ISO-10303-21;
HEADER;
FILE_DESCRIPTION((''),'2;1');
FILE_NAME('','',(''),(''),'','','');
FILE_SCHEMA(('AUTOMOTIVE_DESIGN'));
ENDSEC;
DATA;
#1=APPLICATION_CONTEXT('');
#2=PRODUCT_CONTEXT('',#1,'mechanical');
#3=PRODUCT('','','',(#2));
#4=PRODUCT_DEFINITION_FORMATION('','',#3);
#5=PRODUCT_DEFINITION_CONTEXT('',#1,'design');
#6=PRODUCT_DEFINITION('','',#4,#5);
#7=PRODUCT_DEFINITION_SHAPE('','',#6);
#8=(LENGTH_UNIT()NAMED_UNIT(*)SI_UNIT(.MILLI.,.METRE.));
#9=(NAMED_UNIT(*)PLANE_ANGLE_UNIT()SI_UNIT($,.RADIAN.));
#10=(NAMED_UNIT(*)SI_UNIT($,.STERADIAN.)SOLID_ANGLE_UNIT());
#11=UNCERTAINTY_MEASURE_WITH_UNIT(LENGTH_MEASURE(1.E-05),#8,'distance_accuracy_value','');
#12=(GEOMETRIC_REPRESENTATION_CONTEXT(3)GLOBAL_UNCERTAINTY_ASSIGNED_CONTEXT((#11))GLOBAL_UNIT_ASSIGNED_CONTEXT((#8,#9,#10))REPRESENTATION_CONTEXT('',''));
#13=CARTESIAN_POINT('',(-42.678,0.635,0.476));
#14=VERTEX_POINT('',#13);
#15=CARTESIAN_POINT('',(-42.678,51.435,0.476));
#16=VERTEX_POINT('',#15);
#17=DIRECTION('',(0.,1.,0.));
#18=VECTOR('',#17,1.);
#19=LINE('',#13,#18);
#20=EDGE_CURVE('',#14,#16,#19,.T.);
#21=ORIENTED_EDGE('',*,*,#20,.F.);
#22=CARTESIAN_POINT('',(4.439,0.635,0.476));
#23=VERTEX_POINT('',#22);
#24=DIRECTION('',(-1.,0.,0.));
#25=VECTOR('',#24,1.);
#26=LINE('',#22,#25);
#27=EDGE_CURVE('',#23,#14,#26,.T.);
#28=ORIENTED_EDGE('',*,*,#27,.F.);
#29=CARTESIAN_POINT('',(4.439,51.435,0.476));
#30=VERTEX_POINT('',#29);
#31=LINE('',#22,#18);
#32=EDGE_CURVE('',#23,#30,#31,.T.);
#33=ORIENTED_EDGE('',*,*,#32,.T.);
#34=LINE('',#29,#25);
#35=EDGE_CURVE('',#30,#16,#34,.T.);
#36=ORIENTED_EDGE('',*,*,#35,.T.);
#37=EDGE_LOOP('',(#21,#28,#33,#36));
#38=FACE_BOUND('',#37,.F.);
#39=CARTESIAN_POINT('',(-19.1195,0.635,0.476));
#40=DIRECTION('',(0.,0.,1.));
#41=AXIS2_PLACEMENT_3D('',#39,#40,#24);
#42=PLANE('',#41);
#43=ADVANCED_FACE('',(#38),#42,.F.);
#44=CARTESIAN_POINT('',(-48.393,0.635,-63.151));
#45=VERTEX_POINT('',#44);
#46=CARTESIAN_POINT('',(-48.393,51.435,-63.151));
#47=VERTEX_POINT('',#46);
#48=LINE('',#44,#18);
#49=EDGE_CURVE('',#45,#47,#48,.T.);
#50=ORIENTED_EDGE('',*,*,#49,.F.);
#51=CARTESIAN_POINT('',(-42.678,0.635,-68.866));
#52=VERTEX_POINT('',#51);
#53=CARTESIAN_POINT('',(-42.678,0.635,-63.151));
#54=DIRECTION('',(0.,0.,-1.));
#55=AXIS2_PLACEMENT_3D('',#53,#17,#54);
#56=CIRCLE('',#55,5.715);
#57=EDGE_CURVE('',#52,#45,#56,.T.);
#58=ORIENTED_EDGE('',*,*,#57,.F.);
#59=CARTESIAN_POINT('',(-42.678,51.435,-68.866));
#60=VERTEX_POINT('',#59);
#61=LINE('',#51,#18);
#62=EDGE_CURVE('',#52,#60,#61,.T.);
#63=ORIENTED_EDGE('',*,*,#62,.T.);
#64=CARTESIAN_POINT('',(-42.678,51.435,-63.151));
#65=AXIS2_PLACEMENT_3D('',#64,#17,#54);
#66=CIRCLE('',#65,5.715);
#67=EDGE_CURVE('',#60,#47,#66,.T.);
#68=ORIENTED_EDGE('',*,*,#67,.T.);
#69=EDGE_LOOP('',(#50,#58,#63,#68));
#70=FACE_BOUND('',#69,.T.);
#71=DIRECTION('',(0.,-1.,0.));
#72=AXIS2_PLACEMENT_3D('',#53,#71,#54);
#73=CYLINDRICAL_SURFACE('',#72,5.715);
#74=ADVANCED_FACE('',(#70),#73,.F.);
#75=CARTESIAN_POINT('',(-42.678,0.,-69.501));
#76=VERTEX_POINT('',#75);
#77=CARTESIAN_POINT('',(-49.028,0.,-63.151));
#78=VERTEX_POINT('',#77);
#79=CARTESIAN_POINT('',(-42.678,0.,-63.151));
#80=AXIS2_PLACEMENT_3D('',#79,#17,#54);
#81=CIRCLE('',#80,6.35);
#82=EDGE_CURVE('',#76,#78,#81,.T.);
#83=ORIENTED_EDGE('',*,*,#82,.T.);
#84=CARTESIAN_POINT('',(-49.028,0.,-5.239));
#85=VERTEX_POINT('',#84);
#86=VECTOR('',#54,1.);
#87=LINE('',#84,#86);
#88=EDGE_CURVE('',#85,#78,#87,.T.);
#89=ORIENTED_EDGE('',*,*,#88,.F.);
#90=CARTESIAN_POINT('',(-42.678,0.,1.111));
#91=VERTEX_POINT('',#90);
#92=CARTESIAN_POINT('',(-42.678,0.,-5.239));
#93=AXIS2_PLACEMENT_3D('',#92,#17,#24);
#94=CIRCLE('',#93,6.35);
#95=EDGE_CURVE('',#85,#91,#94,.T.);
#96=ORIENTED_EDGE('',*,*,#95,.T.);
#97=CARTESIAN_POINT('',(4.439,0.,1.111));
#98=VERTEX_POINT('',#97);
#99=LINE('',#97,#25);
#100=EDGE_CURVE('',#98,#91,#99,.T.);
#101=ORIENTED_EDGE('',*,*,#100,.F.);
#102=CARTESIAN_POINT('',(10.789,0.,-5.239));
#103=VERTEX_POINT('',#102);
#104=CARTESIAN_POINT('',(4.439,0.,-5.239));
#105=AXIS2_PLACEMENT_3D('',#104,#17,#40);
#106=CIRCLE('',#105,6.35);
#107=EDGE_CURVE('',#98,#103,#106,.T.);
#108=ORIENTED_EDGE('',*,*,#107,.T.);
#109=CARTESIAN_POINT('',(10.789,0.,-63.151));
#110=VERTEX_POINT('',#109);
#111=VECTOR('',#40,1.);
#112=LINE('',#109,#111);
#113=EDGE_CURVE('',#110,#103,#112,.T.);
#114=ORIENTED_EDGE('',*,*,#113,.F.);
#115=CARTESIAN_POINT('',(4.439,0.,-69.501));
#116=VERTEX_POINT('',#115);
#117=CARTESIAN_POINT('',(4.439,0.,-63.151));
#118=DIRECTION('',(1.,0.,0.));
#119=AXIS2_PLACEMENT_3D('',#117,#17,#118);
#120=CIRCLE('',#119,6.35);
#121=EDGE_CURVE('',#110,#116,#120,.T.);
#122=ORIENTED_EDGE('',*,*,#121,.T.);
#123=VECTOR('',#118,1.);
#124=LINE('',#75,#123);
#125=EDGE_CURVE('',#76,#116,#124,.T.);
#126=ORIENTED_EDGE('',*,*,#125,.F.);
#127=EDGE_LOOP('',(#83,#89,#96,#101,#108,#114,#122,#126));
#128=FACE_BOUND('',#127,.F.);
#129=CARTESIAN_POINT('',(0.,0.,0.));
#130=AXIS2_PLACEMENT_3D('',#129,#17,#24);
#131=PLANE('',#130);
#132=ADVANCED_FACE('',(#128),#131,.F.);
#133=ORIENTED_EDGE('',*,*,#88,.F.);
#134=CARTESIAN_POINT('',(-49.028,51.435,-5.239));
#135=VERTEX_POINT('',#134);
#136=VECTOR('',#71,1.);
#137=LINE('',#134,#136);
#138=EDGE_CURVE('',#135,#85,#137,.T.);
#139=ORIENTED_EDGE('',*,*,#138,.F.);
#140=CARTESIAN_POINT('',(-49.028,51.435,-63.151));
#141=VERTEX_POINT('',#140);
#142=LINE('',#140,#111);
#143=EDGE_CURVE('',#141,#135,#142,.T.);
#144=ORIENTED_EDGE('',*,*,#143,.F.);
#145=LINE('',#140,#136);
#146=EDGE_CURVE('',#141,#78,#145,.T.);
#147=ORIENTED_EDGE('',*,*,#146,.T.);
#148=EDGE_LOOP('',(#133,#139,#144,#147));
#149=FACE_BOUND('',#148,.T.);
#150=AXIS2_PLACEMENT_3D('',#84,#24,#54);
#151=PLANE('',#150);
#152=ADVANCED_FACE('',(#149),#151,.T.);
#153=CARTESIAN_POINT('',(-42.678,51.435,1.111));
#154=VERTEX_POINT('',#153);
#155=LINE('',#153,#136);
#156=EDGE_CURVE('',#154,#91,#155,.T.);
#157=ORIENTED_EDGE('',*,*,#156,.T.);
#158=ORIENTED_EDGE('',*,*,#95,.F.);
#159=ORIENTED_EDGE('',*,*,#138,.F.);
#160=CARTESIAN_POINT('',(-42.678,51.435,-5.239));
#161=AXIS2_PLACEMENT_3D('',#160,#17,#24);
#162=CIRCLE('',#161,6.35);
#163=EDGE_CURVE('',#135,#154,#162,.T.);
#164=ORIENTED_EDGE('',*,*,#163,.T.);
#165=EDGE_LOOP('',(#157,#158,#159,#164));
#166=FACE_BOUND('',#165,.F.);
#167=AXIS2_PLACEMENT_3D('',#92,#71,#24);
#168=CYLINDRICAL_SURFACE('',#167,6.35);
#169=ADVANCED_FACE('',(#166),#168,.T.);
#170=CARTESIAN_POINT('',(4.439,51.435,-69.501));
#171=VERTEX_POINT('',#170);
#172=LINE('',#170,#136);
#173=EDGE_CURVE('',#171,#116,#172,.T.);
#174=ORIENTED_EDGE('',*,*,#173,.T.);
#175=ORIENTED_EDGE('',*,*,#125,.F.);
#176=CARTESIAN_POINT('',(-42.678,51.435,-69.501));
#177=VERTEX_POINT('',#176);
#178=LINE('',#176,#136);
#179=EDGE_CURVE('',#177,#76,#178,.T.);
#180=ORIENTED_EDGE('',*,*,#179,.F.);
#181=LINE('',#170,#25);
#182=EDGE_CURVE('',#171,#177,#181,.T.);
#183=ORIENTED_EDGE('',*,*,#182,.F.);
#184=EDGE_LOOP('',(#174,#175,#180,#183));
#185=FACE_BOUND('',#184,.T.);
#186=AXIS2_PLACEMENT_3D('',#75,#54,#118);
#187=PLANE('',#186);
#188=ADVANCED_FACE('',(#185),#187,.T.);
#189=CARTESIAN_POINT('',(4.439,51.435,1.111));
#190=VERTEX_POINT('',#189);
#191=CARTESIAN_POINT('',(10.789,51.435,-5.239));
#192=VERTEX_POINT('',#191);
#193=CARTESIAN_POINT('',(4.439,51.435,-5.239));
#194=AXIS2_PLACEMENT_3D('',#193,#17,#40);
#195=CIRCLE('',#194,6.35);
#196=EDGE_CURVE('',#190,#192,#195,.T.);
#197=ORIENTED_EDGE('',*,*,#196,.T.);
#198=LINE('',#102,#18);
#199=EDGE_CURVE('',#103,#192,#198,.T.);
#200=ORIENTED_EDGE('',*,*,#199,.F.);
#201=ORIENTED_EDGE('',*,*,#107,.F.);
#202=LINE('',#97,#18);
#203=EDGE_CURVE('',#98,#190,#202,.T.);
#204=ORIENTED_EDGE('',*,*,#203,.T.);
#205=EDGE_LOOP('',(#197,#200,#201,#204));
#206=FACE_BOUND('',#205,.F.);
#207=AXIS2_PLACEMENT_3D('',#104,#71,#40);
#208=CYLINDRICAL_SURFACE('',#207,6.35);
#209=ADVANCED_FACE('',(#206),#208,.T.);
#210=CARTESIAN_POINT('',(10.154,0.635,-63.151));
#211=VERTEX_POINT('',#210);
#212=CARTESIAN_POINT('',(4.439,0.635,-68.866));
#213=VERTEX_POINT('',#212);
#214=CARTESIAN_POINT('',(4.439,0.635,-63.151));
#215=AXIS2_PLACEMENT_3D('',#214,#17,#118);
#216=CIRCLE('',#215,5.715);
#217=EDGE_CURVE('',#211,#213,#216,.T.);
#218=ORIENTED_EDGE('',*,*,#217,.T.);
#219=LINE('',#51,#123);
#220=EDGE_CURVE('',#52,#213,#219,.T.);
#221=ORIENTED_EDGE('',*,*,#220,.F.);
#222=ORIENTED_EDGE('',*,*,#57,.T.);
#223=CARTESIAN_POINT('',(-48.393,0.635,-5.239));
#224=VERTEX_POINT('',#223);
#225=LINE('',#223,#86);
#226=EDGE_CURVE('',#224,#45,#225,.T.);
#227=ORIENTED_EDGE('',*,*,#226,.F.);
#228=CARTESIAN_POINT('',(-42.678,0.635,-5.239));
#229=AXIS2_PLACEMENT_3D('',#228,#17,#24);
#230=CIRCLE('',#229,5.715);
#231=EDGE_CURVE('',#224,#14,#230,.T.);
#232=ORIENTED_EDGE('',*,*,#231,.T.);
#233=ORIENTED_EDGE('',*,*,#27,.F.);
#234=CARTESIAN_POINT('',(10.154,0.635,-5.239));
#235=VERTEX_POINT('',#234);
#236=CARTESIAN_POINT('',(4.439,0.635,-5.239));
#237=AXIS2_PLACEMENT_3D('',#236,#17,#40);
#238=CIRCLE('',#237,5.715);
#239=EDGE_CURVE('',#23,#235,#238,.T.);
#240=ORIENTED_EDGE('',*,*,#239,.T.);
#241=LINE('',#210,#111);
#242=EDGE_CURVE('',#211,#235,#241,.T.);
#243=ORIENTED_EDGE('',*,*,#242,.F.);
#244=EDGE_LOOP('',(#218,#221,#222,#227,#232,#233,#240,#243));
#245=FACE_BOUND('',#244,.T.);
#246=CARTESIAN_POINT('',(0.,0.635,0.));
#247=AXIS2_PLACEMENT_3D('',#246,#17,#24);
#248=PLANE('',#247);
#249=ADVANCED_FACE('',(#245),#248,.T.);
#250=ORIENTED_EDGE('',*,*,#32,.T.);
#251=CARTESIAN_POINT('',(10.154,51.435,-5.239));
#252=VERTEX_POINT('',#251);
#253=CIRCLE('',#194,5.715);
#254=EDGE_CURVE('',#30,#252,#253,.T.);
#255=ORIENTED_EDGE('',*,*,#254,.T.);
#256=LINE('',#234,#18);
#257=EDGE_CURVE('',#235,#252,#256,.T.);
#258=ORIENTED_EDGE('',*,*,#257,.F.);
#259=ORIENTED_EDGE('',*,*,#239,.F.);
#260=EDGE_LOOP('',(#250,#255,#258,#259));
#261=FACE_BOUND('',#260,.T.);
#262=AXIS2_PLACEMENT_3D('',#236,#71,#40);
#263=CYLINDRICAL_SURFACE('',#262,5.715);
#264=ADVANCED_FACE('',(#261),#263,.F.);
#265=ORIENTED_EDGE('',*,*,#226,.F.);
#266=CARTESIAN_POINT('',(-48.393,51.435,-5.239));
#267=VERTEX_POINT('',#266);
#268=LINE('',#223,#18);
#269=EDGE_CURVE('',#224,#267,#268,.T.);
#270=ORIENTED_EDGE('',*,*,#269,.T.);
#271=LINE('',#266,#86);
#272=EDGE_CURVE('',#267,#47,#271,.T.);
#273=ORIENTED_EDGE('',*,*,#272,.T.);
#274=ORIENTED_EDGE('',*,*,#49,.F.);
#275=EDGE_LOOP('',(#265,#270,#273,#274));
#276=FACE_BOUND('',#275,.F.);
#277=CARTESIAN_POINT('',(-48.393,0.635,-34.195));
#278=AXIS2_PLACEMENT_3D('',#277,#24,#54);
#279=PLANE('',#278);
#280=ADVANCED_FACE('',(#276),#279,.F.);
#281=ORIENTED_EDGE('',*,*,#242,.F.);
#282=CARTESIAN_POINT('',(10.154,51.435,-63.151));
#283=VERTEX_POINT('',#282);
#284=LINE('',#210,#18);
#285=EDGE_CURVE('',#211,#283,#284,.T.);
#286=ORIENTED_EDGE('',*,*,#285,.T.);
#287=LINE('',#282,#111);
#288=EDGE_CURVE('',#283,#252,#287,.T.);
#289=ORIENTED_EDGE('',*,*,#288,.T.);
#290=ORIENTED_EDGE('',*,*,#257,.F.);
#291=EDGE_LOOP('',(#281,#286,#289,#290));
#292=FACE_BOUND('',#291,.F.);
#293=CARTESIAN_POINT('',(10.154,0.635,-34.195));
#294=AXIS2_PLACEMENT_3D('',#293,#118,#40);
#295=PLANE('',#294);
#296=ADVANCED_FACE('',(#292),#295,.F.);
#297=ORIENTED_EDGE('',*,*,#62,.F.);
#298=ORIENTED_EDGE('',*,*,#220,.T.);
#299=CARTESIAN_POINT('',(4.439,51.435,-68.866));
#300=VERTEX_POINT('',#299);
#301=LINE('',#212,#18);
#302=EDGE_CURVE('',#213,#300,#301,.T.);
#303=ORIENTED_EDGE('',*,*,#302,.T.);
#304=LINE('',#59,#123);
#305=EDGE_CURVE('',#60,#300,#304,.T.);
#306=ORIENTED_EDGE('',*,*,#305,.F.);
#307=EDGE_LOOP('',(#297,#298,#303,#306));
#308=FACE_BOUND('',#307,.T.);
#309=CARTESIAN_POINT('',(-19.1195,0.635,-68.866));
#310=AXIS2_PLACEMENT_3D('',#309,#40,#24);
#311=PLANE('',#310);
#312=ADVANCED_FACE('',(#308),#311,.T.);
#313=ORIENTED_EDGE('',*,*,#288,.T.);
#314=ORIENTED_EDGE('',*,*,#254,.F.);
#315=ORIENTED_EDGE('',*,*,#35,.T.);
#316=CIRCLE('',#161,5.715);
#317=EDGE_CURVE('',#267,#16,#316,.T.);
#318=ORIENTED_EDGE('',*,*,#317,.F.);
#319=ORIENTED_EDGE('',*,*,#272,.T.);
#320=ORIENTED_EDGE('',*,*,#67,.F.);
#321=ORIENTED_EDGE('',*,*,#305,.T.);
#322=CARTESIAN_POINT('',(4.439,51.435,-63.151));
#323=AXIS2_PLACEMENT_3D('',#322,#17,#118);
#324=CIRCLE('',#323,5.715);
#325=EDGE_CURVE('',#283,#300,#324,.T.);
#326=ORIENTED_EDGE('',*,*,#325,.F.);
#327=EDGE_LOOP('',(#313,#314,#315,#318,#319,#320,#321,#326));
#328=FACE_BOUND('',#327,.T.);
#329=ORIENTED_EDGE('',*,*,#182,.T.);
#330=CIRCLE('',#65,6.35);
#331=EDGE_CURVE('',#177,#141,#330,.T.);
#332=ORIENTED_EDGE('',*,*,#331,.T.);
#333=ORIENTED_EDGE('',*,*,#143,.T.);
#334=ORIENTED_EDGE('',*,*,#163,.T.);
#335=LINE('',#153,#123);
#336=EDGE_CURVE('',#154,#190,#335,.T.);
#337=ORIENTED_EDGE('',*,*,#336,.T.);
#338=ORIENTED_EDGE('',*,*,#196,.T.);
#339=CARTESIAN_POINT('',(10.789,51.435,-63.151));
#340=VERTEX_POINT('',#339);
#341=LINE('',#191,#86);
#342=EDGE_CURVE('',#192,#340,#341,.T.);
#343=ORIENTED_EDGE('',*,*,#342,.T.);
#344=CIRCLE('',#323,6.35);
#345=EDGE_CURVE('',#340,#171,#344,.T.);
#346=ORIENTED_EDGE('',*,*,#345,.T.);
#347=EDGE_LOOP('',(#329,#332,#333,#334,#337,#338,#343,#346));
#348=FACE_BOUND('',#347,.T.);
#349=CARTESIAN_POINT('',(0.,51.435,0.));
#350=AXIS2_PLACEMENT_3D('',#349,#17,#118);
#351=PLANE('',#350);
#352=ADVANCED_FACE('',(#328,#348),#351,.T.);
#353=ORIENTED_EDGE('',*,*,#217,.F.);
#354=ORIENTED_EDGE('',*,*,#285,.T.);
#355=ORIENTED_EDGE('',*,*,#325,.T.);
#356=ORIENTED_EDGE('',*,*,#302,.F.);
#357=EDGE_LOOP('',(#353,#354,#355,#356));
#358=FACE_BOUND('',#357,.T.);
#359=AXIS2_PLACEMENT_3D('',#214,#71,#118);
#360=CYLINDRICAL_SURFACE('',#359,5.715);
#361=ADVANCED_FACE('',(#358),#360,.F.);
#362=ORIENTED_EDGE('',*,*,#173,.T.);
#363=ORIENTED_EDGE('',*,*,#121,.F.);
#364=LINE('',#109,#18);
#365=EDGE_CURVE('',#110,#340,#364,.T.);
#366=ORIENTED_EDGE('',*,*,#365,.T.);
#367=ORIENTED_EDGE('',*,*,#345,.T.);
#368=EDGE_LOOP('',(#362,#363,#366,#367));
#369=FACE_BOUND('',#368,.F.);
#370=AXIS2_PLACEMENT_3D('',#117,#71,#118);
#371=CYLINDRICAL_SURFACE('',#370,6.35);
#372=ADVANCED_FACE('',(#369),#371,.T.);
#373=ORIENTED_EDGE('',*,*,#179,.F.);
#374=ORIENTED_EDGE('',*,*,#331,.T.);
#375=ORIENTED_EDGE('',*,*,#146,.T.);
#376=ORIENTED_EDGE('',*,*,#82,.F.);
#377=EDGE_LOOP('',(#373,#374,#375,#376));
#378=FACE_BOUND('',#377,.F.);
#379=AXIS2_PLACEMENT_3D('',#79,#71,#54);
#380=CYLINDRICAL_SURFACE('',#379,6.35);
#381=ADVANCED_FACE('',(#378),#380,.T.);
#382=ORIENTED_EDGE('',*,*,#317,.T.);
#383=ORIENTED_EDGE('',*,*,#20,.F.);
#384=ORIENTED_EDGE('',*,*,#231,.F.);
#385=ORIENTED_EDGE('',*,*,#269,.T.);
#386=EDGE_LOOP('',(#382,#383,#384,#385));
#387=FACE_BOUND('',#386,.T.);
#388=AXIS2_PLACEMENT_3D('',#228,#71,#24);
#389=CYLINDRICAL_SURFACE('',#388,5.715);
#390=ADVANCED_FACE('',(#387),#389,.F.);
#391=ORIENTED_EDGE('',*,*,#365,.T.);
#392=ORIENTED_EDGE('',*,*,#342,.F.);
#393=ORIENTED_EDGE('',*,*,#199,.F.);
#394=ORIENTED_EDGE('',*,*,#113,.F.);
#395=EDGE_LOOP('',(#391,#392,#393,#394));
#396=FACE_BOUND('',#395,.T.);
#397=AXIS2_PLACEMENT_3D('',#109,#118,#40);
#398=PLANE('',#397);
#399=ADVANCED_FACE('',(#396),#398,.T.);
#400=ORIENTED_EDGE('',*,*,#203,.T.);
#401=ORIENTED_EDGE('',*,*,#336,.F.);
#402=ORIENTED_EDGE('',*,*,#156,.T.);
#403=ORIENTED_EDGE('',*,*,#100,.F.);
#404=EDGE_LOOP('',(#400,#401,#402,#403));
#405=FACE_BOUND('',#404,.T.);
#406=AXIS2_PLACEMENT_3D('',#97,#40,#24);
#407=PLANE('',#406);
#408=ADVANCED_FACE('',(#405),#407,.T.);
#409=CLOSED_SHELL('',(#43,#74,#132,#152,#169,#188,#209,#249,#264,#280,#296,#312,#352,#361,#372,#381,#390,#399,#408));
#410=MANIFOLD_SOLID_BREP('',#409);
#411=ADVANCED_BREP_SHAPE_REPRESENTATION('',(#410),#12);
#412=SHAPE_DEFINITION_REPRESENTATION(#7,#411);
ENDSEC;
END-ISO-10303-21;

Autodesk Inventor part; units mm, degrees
ref_plane "YZ Plane" through (0, 0, 0) normal (1, 0, 0) x (0, 1, 0)
ref_plane "XZ Plane" through (0, 0, 0) normal (0, 1, 0) x (-1, 0, 0)
ref_plane "XY Plane" through (0, 0, 0) normal (0, 0, 1) x (1, 0, 0)
sketch "Sketch1" plane through (0, 0, 0) normal (0, 1, 0) x (-1, 0, 0)
  line L0 (-4.439, 1.111) -> (42.678, 1.111)
  line L1 (49.028, -5.239) -> (49.028, -63.151)
  line L2 (42.678, -69.501) -> (-4.439, -69.501)
  line L3 (-10.789, -63.151) -> (-10.789, -5.239)
  arc A0 (49.028, -5.239) -> (42.678, 1.111) centre (42.678, -5.239) ccw
  arc A1 (42.678, -69.501) -> (49.028, -63.151) centre (42.678, -63.151) ccw
  arc A2 (-10.789, -63.151) -> (-4.439, -69.501) centre (-4.439, -63.151) ccw
  arc A3 (-4.439, 1.111) -> (-10.789, -5.239) centre (-4.439, -5.239) ccw
  point P0 (0, 0)
  point P1 (49.028, -69.501)
  point P2 (49.028, 1.111)
  point P3 (-10.789, -69.501)
  dimension "d0" = 59.817
  dimension "d1" = 70.612
  dimension "d2" = 6.35
extrude "Extrusion1" add sketch "Sketch1" along normal blind 0.635
sketch "Sketch2" plane through (0, 0.635, 0) normal (0, 1, 0) x (1, 0, 0)
  line L0 (-49.028, 63.151) -> (-49.028, 5.239) projected
  arc A0 (-49.028, 5.239) -> (-42.678, -1.111) centre (-42.678, 5.239) ccw projected
  line L1 (-42.678, -1.111) -> (4.439, -1.111) projected
  arc A1 (4.439, -1.111) -> (10.789, 5.239) centre (4.439, 5.239) ccw projected
  line L2 (10.789, 5.239) -> (10.789, 63.151) projected
  arc A2 (10.789, 63.151) -> (4.439, 69.501) centre (4.439, 63.151) ccw projected
  line L3 (4.439, 69.501) -> (-42.678, 69.501) projected
  arc A3 (-42.678, 69.501) -> (-49.028, 63.151) centre (-42.678, 63.151) ccw projected
  line L4 (-19.1195, 68.866) -> (4.439, 68.866)
  line L5 (10.154, 34.195) -> (10.154, 63.151)
  line L6 (-19.1195, -0.476) -> (4.439, -0.476)
  line L7 (-48.393, 34.195) -> (-48.393, 63.151)
  line L8 (-19.1195, 68.866) -> (-42.678, 68.866)
  line L9 (-48.393, 34.195) -> (-48.393, 5.239)
  line L10 (-19.1195, -0.476) -> (-42.678, -0.476)
  line L11 (10.154, 34.195) -> (10.154, 5.239)
  arc A4 (-42.678, 68.866) -> (-48.393, 63.151) centre (-42.678, 63.151) ccw
  arc A5 (10.154, 63.151) -> (4.439, 68.866) centre (4.439, 63.151) ccw
  arc A6 (4.439, -0.476) -> (10.154, 5.239) centre (4.439, 5.239) ccw
  arc A7 (-48.393, 5.239) -> (-42.678, -0.476) centre (-42.678, 5.239) ccw
  point P0 (0, 0)
  dimension "d9" = 5.715
  dimension "d10" = 5.715
extrude "Extrusion2" add sketch "Sketch2" along normal blind 50.8
properties part number "speaker body"
